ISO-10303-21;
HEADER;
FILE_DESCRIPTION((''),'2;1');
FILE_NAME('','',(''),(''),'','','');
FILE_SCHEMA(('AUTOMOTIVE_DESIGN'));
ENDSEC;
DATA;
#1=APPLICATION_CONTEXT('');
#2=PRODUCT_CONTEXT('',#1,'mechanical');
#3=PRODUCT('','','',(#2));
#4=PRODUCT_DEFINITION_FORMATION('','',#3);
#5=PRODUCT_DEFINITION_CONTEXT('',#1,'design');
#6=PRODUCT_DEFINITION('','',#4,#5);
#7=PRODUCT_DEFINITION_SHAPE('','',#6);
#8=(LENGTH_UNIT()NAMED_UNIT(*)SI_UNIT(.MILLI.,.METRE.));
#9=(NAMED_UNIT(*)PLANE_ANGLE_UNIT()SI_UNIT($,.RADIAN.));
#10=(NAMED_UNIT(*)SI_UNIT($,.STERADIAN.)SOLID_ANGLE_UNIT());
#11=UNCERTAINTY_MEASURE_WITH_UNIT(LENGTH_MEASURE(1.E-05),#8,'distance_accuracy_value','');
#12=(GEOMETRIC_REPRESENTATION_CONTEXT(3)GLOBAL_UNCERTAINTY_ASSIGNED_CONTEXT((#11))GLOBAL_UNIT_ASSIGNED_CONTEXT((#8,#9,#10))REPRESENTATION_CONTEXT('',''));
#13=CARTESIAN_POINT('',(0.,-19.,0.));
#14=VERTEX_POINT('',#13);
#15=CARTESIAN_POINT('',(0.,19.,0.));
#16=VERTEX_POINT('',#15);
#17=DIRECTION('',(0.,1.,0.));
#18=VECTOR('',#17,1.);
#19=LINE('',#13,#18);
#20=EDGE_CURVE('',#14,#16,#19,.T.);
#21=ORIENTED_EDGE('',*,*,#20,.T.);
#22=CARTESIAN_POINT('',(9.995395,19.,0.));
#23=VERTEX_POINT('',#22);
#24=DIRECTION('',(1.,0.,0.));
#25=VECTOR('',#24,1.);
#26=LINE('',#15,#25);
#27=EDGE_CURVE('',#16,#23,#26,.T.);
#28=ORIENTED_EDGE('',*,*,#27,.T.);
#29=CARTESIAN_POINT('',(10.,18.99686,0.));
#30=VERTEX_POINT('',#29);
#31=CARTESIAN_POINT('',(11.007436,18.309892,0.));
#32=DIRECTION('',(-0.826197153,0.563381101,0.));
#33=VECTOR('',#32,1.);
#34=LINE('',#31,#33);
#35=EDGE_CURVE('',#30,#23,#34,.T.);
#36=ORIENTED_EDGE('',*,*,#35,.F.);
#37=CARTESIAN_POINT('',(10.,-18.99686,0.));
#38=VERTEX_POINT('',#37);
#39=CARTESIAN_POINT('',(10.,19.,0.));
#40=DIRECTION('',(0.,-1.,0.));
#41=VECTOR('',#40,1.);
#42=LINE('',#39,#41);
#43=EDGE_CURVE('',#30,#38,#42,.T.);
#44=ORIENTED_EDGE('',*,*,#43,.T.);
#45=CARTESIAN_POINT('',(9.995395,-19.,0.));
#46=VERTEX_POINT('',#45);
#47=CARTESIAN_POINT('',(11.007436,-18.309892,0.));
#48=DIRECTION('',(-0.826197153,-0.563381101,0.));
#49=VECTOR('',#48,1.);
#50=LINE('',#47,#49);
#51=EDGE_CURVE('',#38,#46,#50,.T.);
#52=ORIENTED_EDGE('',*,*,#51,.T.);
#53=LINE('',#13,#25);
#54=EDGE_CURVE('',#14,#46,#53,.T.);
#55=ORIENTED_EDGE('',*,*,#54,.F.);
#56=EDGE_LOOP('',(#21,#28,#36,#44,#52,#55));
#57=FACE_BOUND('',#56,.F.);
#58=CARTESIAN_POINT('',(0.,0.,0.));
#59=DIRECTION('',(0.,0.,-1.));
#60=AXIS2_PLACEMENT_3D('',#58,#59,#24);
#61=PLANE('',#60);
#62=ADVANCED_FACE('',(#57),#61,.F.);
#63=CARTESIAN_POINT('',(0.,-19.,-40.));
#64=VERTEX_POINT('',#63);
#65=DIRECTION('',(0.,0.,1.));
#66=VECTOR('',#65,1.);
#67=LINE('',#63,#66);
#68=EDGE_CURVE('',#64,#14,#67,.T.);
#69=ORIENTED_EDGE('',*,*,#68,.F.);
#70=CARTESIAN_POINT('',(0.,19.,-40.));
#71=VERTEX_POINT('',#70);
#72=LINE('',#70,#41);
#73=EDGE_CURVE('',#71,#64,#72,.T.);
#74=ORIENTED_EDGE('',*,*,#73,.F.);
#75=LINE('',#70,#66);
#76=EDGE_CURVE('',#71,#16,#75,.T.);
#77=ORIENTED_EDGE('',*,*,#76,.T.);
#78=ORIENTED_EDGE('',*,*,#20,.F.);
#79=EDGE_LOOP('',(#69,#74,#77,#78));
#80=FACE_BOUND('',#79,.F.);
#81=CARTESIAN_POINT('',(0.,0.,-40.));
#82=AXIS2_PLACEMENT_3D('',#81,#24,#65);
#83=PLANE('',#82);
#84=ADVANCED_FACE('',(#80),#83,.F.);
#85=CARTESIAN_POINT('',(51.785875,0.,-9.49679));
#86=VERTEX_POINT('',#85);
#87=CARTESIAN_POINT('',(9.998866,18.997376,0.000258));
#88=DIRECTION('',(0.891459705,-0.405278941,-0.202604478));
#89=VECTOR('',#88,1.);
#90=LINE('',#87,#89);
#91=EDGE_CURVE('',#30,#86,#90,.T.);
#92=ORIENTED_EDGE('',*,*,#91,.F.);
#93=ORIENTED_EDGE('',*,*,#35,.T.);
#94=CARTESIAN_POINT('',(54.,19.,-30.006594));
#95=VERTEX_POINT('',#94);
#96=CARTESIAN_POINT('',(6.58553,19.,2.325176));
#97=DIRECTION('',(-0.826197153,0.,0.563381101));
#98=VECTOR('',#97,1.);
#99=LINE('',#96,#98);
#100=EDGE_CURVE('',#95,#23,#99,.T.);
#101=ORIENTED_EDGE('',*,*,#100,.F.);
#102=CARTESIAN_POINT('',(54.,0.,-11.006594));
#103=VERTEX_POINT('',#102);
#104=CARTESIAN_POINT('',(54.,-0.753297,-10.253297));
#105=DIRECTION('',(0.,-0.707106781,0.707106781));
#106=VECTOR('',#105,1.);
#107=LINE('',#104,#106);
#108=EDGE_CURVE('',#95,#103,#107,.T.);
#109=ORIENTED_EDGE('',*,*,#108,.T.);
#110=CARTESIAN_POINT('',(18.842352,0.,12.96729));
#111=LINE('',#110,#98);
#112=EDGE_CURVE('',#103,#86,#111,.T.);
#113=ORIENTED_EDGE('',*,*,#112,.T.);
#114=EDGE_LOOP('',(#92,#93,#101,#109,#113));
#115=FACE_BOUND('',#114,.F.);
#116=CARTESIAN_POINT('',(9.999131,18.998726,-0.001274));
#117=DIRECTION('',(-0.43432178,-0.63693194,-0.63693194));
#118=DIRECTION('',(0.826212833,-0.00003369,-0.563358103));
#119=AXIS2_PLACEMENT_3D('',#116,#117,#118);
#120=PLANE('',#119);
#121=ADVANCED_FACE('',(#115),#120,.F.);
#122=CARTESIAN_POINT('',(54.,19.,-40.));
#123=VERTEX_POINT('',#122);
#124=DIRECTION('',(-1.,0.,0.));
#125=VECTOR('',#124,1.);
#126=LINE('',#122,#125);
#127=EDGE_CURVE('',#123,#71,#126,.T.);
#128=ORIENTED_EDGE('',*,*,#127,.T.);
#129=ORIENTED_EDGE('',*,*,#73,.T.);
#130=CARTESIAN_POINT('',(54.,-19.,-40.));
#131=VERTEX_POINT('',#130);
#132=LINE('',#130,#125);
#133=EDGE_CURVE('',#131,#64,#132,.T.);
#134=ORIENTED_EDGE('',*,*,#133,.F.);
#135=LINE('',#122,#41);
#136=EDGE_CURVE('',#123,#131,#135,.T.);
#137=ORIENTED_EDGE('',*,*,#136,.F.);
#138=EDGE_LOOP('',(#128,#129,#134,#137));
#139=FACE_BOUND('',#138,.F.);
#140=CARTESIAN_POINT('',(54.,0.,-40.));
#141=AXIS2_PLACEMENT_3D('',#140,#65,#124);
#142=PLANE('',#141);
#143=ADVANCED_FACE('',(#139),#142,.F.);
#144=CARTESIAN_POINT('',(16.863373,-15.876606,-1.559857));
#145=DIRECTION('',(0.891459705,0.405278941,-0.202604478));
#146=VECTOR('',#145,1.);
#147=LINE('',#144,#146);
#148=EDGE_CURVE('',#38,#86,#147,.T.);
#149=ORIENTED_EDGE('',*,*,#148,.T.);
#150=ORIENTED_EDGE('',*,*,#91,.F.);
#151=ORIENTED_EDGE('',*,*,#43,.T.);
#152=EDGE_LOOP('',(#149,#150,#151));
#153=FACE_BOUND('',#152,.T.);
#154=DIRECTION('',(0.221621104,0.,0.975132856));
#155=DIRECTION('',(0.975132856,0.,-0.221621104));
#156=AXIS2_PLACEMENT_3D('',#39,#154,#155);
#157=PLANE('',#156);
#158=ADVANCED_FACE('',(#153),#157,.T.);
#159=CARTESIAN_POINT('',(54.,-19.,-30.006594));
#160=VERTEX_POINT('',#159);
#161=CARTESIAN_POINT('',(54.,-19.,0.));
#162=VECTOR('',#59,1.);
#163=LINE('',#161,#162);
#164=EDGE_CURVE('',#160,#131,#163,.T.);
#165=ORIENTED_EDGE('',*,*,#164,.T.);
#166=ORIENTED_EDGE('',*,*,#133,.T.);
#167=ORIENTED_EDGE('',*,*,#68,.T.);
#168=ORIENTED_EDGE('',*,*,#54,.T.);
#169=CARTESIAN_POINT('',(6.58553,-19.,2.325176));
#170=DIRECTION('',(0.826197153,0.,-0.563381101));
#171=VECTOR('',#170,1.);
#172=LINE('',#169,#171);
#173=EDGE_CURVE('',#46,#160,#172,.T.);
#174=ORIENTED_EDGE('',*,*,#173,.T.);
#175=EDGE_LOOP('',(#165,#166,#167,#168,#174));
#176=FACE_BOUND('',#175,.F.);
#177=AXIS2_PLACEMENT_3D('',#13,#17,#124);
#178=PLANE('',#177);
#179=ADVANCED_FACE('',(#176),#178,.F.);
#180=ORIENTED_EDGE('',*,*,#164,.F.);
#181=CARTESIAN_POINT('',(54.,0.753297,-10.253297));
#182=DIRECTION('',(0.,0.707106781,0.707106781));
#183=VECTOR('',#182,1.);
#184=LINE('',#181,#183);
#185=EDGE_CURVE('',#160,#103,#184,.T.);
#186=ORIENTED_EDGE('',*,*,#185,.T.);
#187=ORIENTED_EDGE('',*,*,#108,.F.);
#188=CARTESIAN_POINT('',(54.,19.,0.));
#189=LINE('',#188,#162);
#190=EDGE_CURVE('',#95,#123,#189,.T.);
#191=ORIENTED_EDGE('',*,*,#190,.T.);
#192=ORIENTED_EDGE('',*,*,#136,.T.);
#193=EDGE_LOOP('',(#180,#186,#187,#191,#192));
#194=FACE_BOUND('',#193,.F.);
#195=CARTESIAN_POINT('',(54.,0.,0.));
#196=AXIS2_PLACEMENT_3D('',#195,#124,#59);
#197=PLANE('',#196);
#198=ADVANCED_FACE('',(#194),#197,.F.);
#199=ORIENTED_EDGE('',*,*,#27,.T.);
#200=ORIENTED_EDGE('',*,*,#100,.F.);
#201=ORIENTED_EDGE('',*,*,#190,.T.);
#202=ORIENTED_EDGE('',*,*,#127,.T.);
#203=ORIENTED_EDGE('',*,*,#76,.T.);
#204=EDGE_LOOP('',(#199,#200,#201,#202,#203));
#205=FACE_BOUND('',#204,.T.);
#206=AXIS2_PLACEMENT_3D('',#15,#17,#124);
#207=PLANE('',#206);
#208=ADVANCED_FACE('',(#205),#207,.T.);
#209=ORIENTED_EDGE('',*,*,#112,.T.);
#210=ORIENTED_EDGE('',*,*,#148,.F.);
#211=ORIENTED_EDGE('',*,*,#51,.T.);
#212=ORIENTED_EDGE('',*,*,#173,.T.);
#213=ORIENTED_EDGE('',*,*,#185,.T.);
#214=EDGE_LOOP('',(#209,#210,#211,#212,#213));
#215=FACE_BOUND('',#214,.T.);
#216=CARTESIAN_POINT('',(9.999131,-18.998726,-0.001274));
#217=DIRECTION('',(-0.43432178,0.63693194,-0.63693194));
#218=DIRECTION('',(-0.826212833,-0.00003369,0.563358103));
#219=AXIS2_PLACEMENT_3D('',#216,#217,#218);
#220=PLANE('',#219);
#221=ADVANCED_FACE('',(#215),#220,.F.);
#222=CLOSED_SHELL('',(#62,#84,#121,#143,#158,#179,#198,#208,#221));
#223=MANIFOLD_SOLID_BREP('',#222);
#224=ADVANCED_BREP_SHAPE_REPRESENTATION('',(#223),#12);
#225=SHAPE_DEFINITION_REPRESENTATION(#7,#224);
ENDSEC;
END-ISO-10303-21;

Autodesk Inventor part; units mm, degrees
ref_plane "YZ Plane" through (0, 0, 0) normal (1, 0, 0) x (0, 1, 0)
ref_plane "XZ Plane" through (0, 0, 0) normal (0, 1, 0) x (-1, 0, 0)
sketch "草圖1" plane through (0, 0, 0) normal (0, 1, 0) x (-1, 0, 0)
  line L0 (0, 0) -> (-54, 0)
  line L1 (-54, 0) -> (-54, -40)
  line L2 (-54, -40) -> (0, -40)
  line L3 (0, -40) -> (0, 0)
  dimension "d0" = 54
  dimension "d1" = 40
extrude "擠出1" add sketch "草圖1" along normal mid plane 38
sketch "草圖2" plane through (0, 19, 0) normal (0, 1, 0) x (1, 0, 0)
  line L0 (0, 0) -> (54, 0) projected
  line L1 (10, 0) -> (54, 10)
  line L2 (54, 0) -> (54, 40) projected
  dimension "d4" = 10
  dimension "d5" = 30
extrude "擠出2" cut sketch "草圖2" against normal blind 40
sketch "草圖3" plane through (54, -19, -40) normal (1, 0, 0) x (0, 0, -1)
  line L0 (-30, 18) -> (-10, 38)
  line L1 (0, 38) -> (-40, 38) projected
  line L2 (-30, 38) -> (-30, 0) projected
  point P0 (-40, 19)
  dimension "d8" = 20
  dimension "d9" = 20
ref_plane "工作平面1" through (10, 19, 0) normal (-0.4343, -0.6369, -0.6369) x (0.8262, 0, -0.5633)
sketch "草圖4" plane through (10, 19, 0) normal (-0.4343, -0.6369, -0.6369) x (0.8262, 0, -0.5633)
  line L0 (-15.1543, -12.3218) -> (93.717, -12.3218)
  line L1 (93.717, -12.3218) -> (93.717, 28.8166)
  line L2 (93.717, 28.8166) -> (-15.1543, 28.8166)
  line L3 (-15.1543, 28.8166) -> (-15.1543, -12.3218)
  point P0 (-8.2623, 11.0591)
extrude "擠出3" cut sketch "草圖4" against normal blind 40
mirror "鏡射1" about plane through (0, 0, 0) normal (0, 1, 0) of "擠出3"
properties part number "6431"
